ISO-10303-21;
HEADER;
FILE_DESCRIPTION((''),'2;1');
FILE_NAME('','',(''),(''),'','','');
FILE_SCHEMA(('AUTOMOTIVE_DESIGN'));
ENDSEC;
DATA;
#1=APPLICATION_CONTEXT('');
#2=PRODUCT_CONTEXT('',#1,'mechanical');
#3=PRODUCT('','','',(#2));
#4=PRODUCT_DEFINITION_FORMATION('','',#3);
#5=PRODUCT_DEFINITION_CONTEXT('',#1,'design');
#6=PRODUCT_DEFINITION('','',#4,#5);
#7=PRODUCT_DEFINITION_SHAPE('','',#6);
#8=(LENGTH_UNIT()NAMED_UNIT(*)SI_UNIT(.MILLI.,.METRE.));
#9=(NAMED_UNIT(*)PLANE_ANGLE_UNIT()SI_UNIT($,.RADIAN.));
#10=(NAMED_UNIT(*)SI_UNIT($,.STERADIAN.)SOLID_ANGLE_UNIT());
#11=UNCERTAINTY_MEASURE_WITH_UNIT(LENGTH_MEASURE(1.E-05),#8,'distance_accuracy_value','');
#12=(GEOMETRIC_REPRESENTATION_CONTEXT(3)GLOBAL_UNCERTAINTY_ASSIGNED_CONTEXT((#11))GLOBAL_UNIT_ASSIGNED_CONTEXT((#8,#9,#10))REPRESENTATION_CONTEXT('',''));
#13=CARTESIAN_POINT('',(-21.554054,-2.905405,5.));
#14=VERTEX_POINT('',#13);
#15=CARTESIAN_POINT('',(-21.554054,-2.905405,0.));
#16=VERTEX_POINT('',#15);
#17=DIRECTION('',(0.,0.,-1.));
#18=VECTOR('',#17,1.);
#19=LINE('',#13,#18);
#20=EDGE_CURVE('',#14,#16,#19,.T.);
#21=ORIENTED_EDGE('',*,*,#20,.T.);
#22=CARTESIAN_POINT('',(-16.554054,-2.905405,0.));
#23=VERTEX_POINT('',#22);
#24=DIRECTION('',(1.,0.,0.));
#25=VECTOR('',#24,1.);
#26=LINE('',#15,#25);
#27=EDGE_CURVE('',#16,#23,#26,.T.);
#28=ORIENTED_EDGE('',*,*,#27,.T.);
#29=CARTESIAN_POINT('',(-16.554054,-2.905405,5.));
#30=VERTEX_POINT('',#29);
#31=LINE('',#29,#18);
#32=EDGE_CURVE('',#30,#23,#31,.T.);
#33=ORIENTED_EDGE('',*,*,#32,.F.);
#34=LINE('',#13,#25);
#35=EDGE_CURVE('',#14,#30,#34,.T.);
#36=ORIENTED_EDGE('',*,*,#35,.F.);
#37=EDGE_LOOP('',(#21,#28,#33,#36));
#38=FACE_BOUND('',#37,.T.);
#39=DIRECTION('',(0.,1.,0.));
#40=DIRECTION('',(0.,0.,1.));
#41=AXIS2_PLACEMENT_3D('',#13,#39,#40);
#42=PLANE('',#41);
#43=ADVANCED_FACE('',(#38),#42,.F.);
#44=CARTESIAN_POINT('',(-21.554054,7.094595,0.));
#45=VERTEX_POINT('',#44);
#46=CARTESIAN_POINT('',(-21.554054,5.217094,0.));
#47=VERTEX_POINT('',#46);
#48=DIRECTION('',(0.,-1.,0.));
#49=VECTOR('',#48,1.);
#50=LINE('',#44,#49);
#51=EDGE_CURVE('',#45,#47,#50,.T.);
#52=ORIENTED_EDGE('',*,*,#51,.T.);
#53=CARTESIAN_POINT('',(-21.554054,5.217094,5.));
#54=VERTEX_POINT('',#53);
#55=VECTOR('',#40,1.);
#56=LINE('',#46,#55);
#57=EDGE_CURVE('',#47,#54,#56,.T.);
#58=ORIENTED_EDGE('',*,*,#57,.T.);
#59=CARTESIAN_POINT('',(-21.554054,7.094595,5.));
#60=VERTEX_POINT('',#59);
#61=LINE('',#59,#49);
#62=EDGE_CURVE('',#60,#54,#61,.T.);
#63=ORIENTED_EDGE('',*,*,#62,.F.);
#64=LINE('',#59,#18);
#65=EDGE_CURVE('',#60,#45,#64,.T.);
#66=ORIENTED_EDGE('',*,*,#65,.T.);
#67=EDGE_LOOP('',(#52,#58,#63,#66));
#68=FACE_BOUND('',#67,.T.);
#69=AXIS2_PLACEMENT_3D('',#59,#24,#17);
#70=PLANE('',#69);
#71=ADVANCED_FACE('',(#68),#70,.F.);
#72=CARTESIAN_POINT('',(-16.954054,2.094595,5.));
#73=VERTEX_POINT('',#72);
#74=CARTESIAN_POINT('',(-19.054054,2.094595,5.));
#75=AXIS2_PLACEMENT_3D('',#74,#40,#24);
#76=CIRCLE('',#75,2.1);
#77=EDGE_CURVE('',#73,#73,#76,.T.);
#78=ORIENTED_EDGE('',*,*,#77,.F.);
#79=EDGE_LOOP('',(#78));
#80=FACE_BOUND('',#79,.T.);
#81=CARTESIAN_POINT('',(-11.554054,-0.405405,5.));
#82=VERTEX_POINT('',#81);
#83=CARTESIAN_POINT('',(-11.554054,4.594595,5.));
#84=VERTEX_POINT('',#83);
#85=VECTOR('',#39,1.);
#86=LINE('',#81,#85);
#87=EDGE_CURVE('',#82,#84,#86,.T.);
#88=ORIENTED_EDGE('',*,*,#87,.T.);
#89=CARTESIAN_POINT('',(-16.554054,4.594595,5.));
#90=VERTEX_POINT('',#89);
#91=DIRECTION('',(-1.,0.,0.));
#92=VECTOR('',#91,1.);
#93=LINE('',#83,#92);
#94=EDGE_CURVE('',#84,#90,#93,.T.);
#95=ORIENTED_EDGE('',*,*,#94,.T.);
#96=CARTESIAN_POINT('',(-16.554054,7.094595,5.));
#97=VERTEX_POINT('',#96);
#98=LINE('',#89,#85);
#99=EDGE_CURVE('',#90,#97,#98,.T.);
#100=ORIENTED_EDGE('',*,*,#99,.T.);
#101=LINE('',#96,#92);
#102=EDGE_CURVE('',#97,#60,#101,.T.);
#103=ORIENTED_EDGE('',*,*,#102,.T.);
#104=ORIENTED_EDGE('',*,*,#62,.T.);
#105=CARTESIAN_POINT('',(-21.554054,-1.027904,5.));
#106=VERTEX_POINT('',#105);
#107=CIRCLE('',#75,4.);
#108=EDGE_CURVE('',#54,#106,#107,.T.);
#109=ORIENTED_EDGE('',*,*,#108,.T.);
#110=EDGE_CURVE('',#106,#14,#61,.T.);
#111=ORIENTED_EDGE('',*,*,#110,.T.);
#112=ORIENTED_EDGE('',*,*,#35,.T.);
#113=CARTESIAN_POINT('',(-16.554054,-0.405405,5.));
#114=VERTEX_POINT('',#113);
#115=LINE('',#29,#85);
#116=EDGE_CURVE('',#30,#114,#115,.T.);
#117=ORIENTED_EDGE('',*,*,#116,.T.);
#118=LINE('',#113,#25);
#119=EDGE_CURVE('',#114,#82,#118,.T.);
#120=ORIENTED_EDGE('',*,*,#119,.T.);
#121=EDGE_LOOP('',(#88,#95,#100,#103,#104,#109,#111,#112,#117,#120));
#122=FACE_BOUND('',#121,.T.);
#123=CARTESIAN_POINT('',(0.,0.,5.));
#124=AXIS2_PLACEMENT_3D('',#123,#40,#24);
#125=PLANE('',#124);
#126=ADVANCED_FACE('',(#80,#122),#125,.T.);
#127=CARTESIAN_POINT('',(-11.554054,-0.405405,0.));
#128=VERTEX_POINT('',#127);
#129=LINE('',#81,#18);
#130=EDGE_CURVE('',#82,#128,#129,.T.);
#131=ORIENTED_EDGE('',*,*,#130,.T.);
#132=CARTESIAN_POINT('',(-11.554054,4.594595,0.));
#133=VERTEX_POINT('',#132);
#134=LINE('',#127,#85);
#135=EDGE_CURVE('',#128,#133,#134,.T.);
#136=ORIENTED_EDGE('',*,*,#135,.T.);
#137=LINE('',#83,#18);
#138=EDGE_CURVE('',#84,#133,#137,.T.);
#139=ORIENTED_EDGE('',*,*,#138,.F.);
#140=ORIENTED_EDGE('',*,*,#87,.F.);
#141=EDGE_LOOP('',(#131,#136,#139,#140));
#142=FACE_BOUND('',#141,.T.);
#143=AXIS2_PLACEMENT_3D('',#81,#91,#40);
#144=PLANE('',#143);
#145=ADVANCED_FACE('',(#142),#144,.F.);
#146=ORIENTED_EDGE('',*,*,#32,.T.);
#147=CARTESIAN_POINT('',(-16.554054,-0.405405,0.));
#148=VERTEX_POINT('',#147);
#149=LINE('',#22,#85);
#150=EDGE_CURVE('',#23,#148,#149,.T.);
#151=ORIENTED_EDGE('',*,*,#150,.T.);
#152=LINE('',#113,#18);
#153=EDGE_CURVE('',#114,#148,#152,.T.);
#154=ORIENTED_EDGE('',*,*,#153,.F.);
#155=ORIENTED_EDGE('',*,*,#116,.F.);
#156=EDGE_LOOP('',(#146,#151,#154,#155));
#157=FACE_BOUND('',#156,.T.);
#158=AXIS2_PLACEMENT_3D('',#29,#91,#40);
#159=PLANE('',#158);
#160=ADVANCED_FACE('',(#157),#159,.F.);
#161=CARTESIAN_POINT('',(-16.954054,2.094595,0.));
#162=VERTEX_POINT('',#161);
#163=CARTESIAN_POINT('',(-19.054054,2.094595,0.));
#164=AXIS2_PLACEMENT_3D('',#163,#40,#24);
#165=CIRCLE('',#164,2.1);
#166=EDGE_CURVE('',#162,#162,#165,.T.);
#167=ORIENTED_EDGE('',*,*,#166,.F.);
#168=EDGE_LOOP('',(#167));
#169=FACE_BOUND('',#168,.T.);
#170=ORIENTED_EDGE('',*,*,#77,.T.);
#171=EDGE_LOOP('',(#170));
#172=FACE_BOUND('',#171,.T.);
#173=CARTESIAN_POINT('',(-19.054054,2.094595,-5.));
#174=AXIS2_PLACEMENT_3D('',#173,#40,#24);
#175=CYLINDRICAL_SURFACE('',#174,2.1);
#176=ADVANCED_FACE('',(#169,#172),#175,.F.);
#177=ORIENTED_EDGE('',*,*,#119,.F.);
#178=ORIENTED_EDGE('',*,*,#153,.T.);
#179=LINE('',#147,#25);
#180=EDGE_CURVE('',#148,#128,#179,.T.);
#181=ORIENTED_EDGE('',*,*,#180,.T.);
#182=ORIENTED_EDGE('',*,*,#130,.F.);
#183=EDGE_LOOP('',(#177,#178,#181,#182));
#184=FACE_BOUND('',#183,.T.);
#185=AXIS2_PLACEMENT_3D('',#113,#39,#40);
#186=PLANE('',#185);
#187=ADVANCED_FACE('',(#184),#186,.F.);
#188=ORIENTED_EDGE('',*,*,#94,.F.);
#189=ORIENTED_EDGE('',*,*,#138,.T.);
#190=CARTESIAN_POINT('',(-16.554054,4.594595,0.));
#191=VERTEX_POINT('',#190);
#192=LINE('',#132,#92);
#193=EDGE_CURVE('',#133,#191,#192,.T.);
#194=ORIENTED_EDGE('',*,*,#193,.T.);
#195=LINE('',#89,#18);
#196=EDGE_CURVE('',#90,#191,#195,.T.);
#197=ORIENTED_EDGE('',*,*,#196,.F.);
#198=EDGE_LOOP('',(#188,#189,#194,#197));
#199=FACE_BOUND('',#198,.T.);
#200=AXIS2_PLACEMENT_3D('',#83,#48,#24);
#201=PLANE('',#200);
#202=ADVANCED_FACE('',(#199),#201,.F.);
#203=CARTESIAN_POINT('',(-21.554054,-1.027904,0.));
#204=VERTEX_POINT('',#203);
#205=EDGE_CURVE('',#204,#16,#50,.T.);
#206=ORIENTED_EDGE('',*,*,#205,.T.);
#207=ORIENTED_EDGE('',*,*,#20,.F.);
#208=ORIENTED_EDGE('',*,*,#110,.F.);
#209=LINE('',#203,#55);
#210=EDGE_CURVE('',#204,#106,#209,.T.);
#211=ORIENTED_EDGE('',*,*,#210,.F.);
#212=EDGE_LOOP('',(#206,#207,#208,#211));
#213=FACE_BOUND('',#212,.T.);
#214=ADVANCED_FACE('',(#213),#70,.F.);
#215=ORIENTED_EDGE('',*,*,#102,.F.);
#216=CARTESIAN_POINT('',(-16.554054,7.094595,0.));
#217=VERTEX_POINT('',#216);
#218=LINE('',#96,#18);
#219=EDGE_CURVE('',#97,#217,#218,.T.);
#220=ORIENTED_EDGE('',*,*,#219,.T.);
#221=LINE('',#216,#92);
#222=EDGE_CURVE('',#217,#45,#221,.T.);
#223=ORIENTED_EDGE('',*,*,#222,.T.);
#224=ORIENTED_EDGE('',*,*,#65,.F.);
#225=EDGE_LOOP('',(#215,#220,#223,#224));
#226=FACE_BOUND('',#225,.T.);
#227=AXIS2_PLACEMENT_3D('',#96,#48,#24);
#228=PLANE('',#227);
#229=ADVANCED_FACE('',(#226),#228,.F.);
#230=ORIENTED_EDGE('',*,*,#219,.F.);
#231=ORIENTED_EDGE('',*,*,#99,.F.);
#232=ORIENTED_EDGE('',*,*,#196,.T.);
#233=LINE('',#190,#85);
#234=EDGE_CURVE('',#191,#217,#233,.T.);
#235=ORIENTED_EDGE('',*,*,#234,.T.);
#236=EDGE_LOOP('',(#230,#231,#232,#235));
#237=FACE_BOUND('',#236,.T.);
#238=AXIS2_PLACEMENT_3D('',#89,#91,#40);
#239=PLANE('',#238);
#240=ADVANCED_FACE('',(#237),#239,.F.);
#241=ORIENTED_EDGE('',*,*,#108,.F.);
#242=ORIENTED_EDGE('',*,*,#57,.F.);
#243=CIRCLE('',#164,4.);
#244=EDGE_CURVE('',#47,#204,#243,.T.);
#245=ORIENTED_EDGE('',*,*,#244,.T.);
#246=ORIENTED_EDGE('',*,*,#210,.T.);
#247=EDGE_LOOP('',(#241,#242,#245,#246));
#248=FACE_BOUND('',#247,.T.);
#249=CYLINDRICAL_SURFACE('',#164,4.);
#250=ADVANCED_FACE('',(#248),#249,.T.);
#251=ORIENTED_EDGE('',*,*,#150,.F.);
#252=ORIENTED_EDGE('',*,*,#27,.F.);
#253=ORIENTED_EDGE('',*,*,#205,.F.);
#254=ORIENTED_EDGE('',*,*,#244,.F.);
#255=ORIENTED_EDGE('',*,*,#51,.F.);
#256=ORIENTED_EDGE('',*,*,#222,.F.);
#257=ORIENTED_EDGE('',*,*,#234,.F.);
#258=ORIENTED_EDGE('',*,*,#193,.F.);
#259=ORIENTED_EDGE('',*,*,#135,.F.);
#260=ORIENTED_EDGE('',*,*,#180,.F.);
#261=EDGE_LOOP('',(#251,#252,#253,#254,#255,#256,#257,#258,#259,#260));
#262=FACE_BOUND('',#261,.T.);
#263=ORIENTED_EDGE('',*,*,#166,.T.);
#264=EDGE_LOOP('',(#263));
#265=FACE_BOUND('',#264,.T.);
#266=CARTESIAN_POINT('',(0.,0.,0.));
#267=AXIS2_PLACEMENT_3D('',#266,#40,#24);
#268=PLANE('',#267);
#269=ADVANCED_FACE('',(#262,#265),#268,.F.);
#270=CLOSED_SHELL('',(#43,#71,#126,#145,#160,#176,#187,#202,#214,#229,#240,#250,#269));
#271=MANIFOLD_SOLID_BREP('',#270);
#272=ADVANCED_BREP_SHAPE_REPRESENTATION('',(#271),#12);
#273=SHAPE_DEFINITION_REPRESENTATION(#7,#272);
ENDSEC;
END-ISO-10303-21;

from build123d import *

# Parameters (mm, degrees)
BOSS_EXTRUDE1_DEPTH = 5
SKETCH2_R           = 2.1
CUT_EXTRUDE1_DEPTH  = 10
BOSS_EXTRUDE2_DEPTH = 5


with BuildPart() as part:
    # Sketch1 → Boss-Extrude1 (new body)
    with BuildSketch(Plane.XY):
        Polygon((-16.554054054, 7.094594595), (-21.554054054, 7.094594595), (-21.554054054, -2.905405405), (-16.554054054, -2.905405405), (-16.554054054, -0.405405405), (-11.554054054, -0.405405405), (-11.554054054, 4.594594595), (-16.554054054, 4.594594595), align=None)
    extrude(amount=BOSS_EXTRUDE1_DEPTH)

    # Sketch2 → Cut-Extrude1 (cut)
    with BuildSketch(Plane.XY.offset(5)):
        with Locations((-19.054054054, 2.094594595)):
            Circle(SKETCH2_R)
    extrude(amount=-CUT_EXTRUDE1_DEPTH, mode=Mode.SUBTRACT)

    # Sketch3 → Boss-Extrude2 (add)
    with BuildSketch(Plane.XY.offset(5)):
        with BuildLine():
            Line((-21.554054054, 5.217093594), (-21.554054054, -1.027904405))
            ThreePointArc((-21.554054054, -1.027904405), (-23.054054054, 2.094594595), (-21.554054054, 5.217093594))
        make_face()
    extrude(amount=-BOSS_EXTRUDE2_DEPTH)


solid = part.part
